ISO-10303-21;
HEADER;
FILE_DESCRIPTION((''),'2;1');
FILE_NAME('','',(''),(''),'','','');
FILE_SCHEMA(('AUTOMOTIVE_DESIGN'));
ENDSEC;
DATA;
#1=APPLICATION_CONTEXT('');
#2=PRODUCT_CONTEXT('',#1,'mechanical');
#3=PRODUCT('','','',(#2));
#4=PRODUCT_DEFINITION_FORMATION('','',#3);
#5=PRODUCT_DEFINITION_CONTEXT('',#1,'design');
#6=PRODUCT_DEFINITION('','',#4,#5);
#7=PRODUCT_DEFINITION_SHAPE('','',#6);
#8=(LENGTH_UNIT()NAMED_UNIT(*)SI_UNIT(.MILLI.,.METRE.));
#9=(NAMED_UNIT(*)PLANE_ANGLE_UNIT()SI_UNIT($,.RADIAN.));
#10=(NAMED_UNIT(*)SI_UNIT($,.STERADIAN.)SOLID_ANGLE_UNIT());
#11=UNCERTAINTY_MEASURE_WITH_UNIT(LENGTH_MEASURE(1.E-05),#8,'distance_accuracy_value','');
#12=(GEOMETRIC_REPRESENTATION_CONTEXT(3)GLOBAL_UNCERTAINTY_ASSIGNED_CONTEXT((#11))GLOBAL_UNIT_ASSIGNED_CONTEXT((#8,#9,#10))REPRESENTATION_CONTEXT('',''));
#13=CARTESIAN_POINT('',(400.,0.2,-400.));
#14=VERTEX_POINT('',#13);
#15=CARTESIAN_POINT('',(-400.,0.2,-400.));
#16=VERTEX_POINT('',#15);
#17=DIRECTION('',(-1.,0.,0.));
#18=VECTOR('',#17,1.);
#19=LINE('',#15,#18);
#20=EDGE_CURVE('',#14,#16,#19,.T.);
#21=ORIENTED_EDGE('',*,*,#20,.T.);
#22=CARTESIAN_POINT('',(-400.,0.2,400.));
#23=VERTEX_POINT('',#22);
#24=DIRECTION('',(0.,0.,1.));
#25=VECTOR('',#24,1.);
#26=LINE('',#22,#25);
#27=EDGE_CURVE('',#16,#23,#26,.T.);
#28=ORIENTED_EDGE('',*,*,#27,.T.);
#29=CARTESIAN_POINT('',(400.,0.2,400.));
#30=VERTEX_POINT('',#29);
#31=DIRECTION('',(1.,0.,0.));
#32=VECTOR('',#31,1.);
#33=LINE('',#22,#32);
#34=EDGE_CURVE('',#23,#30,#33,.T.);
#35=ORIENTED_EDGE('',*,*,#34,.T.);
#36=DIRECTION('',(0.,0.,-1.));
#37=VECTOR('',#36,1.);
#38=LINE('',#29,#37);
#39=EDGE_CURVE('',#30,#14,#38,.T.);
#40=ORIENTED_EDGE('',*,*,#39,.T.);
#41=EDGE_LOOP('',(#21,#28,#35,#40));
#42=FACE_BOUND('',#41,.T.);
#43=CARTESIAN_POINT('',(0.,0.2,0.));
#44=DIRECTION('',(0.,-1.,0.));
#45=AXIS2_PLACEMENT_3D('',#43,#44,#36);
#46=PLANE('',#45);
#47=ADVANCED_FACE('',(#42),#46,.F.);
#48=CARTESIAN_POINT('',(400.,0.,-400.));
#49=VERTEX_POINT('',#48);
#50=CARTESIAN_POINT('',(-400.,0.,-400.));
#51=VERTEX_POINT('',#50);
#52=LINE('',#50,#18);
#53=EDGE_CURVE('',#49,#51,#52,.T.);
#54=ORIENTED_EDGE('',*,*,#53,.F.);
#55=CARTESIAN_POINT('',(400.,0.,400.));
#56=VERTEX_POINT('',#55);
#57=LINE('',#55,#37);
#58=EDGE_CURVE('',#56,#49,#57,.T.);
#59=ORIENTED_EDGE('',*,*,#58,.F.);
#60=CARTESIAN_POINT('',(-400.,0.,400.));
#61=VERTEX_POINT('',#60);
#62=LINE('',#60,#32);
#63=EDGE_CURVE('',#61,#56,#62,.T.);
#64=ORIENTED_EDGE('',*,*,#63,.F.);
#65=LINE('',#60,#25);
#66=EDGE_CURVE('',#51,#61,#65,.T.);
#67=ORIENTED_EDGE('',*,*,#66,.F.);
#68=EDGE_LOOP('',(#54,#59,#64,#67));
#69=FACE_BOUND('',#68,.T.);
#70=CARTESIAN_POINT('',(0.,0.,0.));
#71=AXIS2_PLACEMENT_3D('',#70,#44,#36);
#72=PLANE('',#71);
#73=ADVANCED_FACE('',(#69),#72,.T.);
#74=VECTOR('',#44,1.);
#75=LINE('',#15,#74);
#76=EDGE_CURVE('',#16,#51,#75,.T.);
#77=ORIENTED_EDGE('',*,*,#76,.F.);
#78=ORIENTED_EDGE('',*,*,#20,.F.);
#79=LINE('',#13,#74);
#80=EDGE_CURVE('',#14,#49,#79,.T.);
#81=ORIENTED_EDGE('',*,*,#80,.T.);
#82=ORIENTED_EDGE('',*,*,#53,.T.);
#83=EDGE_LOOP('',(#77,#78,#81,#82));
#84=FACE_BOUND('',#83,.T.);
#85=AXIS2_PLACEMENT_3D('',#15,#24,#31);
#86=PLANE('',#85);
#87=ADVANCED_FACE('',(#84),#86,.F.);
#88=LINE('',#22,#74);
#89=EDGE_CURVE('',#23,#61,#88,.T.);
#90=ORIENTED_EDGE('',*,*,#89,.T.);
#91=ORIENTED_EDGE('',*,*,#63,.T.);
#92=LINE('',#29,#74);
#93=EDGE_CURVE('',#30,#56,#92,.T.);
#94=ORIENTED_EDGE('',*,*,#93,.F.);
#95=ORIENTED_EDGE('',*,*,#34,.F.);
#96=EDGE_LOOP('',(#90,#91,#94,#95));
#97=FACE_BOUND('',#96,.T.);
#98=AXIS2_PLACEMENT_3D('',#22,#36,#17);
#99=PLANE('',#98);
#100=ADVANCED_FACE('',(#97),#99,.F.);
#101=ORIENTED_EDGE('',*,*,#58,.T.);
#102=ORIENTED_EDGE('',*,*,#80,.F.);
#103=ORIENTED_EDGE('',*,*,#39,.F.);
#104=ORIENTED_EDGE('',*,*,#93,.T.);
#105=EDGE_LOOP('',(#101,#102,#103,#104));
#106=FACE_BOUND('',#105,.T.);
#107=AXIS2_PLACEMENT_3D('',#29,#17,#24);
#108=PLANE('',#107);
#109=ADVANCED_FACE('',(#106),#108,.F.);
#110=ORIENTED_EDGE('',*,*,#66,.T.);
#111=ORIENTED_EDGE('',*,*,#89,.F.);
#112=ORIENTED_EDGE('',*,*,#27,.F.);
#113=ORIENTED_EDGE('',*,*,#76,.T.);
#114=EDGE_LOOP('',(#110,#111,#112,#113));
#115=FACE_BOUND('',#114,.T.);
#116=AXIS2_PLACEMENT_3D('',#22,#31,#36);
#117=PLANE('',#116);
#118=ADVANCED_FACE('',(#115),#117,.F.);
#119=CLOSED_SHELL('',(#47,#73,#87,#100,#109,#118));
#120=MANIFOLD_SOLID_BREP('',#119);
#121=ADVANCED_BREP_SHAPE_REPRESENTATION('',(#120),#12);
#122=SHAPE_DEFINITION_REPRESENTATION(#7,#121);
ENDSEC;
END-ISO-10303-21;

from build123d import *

# Parameters (mm, degrees)
SKETCH_1_W      = 800
SKETCH_1_H      = 800
EXTRUDE_1_DEPTH = 0.2


with BuildPart() as part:
    # 草图1 → 凸台-拉伸1 (new body)
    with BuildSketch(Plane(origin=(0, 0, 0), x_dir=(1, 0, 0), z_dir=(0, 1, 0))):
        Rectangle(SKETCH_1_W, SKETCH_1_H)
    extrude(amount=EXTRUDE_1_DEPTH)


solid = part.part
